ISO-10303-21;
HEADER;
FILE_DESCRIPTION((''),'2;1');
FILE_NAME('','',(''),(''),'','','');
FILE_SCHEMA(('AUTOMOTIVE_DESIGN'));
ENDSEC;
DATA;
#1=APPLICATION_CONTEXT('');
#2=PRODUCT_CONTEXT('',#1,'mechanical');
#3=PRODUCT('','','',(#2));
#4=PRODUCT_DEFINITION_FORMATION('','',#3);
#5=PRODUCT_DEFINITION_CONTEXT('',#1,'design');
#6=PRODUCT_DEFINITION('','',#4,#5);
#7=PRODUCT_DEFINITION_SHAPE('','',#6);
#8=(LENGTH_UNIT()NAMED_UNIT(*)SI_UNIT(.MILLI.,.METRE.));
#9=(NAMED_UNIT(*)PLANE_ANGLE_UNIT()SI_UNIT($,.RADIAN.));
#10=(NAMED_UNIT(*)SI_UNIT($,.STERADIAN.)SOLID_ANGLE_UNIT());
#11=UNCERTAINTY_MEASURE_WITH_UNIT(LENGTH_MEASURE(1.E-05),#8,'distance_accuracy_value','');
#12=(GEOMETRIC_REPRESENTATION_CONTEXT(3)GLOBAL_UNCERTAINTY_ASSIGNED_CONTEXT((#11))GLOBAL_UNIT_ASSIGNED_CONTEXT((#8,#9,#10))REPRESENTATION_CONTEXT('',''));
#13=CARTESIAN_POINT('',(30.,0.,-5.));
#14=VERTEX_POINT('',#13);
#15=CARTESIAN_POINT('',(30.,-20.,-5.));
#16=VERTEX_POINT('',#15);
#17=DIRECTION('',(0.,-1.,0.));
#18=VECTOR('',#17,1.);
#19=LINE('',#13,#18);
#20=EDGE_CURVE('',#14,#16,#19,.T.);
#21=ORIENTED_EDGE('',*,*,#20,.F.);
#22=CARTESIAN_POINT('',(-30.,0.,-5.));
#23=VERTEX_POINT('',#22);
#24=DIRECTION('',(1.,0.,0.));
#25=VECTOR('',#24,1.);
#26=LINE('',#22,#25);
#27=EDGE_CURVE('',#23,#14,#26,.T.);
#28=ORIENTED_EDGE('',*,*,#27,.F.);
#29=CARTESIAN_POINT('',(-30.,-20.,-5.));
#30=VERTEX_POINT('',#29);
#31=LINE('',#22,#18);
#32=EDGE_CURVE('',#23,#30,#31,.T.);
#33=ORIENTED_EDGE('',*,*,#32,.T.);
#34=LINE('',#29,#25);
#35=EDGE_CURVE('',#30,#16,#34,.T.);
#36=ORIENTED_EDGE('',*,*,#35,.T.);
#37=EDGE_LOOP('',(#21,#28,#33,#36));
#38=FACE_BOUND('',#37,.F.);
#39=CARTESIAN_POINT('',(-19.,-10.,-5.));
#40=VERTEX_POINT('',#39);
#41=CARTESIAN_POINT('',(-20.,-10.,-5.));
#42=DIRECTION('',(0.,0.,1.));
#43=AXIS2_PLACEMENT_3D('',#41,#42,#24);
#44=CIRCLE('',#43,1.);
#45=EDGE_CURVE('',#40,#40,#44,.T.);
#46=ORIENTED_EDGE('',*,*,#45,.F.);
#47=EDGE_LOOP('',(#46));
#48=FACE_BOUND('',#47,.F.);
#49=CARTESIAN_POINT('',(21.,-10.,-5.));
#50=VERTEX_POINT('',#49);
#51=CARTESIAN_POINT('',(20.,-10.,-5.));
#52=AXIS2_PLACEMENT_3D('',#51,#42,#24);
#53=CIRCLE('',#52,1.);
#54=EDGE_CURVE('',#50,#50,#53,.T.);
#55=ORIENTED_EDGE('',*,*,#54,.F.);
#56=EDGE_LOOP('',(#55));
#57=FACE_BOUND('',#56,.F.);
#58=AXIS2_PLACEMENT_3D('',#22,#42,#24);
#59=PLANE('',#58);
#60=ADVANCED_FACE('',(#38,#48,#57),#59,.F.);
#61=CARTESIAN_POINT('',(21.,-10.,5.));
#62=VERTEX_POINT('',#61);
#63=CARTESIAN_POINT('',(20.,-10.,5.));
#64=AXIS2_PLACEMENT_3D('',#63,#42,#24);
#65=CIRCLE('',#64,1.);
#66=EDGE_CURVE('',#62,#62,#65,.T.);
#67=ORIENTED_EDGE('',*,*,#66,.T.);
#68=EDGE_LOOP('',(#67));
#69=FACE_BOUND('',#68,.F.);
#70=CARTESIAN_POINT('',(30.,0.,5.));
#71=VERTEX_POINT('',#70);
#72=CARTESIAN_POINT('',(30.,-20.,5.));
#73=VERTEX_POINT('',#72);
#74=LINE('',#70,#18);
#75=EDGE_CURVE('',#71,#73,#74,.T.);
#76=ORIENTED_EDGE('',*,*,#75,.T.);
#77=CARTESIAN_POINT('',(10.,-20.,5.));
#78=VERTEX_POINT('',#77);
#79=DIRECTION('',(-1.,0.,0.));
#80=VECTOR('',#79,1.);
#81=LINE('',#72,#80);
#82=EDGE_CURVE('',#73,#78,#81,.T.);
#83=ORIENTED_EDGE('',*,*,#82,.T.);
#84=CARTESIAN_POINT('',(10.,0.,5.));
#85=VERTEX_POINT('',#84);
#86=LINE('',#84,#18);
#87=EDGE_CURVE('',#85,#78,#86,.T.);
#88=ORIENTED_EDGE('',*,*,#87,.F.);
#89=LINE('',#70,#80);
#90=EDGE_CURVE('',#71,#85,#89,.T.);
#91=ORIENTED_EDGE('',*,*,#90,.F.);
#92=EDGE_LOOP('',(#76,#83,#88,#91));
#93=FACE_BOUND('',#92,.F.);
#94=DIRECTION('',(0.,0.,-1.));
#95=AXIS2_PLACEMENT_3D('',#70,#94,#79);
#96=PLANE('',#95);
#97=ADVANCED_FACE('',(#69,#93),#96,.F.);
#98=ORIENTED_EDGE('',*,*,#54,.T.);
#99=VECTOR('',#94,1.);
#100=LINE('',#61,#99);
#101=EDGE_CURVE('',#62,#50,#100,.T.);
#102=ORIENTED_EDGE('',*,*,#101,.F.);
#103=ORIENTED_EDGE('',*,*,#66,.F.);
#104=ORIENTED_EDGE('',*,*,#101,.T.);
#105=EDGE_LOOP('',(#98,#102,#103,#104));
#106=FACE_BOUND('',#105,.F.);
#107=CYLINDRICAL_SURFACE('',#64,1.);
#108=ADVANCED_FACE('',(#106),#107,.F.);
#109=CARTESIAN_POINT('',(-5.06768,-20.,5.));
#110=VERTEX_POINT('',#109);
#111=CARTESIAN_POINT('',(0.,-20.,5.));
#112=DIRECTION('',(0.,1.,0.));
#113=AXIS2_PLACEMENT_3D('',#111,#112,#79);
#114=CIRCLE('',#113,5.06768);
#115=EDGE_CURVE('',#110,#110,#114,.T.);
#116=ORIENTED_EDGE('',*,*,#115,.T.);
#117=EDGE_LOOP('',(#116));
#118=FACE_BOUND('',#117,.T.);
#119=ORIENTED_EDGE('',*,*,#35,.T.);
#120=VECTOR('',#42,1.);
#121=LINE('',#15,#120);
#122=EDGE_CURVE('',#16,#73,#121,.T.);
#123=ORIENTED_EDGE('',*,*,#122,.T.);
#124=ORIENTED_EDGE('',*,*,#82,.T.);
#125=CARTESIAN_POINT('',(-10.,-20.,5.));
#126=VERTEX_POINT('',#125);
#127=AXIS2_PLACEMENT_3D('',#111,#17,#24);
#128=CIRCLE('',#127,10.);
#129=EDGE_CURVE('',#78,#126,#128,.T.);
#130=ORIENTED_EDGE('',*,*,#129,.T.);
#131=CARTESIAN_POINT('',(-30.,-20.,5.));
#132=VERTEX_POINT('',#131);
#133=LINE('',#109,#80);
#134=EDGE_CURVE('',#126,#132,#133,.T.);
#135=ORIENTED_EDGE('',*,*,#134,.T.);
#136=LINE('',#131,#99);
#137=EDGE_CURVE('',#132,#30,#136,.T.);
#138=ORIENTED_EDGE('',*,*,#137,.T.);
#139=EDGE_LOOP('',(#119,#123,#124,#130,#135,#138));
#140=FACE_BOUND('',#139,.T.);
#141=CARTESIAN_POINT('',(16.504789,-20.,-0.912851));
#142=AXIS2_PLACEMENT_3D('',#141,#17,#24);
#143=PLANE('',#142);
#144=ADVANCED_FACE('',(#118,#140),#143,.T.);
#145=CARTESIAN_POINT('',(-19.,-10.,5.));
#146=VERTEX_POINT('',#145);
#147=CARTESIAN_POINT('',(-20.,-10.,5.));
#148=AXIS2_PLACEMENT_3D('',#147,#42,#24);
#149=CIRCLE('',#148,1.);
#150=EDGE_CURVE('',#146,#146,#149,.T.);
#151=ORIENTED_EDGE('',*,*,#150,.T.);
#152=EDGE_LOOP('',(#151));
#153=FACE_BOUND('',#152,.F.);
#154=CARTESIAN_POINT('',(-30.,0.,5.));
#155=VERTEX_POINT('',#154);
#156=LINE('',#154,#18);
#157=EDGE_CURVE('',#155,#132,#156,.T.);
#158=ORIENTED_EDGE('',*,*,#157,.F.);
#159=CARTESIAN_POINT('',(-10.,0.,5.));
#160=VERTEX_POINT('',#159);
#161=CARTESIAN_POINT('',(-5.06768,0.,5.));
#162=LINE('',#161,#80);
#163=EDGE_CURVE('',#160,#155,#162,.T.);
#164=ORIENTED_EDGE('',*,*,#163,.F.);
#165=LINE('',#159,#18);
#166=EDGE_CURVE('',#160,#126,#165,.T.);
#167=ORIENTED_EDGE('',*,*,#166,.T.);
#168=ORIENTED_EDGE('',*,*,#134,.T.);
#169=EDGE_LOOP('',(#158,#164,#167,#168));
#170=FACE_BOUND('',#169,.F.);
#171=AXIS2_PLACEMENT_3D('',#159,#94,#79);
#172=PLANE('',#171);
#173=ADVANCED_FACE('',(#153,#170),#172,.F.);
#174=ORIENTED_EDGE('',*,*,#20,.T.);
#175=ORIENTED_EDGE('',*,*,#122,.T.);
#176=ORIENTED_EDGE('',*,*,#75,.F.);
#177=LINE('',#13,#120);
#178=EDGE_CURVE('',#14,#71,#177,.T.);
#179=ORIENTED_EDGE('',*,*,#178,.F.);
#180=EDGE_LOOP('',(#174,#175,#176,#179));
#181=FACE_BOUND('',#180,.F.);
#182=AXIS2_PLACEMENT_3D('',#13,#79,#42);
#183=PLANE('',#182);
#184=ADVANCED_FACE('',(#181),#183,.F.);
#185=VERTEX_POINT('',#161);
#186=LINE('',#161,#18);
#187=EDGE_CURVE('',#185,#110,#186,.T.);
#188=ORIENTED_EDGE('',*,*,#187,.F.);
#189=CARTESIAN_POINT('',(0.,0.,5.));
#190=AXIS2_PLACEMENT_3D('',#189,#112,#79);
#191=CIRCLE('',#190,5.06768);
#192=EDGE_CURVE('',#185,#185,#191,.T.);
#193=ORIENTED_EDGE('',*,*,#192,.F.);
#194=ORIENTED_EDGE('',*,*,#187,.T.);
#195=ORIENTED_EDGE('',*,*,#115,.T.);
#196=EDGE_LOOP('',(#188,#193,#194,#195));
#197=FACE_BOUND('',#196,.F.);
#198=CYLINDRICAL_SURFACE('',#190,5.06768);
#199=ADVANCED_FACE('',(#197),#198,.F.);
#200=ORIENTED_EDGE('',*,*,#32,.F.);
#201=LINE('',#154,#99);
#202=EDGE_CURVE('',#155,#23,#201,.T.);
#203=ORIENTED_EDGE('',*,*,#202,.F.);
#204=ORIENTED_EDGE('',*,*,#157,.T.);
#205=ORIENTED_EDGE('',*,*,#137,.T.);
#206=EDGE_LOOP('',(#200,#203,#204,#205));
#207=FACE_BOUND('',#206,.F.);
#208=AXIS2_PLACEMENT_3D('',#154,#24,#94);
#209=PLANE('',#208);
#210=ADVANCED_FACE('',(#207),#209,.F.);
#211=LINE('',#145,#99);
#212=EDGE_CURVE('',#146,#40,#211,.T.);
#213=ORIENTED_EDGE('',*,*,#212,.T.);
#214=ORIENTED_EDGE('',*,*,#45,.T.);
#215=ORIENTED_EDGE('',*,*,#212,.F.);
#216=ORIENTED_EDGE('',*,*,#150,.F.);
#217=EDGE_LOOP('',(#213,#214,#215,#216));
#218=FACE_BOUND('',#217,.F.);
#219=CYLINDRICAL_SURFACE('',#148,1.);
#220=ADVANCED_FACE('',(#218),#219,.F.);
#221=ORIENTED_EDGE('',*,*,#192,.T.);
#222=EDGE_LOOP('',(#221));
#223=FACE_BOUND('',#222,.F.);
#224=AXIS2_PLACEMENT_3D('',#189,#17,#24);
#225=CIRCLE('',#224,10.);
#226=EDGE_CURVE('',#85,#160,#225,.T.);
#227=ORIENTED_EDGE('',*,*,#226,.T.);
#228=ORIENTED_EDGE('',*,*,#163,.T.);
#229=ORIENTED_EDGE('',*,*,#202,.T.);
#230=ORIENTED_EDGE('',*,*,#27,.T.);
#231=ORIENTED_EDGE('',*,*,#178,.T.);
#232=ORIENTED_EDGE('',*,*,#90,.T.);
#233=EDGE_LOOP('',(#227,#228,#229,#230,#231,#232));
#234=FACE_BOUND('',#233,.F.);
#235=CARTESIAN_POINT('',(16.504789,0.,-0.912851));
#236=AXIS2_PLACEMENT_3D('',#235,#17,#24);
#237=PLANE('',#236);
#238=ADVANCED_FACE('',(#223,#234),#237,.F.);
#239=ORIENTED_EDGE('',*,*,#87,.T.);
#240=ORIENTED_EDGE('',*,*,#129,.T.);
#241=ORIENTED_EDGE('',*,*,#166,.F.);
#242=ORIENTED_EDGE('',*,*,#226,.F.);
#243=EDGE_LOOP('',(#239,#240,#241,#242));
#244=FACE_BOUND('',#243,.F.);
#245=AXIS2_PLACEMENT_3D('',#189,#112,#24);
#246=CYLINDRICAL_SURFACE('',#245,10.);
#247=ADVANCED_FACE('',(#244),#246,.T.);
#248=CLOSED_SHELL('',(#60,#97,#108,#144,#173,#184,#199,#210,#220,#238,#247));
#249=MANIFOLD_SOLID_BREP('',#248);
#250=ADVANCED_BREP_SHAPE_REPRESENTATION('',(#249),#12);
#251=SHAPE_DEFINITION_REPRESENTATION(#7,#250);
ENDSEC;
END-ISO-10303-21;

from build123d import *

# Parameters (mm, degrees)
F1_DEPTH = 20
F2_R     = 1
F3_DEPTH = 25
F4_R     = 1
F5_DEPTH = 25


with BuildPart() as f1:
    # F0 (on Front) → F1 (new body)
    with BuildSketch(Plane.XZ):
        with BuildLine():
            Line((30, -5), (30, 5))
            Line((30, 5), (10, 5))
            ThreePointArc((10, 5), (7.0710678119, -2.0710678119), (0, -5))
            Line((0, -5), (30, -5))
        make_face()
        with BuildLine():
            ThreePointArc((0, -5), (-7.0710678119, -2.0710678119), (-10, 5))
            Line((-10, 5), (-30, 5))
            Line((-30, 5), (-30, -5))
            Line((-30, -5), (0, -5))
        make_face()
        with BuildLine():
            ThreePointArc((0, -5), (7.0710678119, -2.0710678119), (10, 5))
            Line((10, 5), (5.0676797819, 5))
            ThreePointArc((5.0676797819, 5), (0, -0.0676797819), (-5.0676797819, 5))
            Line((-5.0676797819, 5), (-10, 5))
            ThreePointArc((-10, 5), (-7.0710678119, -2.0710678119), (0, -5))
        make_face()
        with BuildLine():
            Line((5.0676797819, 5), (10, 5))
            ThreePointArc((10, 5), (0, 15), (-10, 5))
            Line((-10, 5), (-5.0676797819, 5))
            ThreePointArc((-5.0676797819, 5), (0, 10.0676797819), (5.0676797819, 5))
        make_face()
    extrude(amount=F1_DEPTH)

    # F2 (on face) → F3 (cut)
    with BuildSketch(Plane.XY.offset(5)):
        with Locations((-20, -10)):
            Circle(F2_R)
    extrude(amount=-F3_DEPTH, mode=Mode.SUBTRACT)

    # F4 (on face) → F5 (cut)
    with BuildSketch(Plane.XY.offset(5)):
        with Locations((20, -10)):
            Circle(F4_R)
    extrude(amount=-F5_DEPTH, mode=Mode.SUBTRACT)


solid = f1.part
